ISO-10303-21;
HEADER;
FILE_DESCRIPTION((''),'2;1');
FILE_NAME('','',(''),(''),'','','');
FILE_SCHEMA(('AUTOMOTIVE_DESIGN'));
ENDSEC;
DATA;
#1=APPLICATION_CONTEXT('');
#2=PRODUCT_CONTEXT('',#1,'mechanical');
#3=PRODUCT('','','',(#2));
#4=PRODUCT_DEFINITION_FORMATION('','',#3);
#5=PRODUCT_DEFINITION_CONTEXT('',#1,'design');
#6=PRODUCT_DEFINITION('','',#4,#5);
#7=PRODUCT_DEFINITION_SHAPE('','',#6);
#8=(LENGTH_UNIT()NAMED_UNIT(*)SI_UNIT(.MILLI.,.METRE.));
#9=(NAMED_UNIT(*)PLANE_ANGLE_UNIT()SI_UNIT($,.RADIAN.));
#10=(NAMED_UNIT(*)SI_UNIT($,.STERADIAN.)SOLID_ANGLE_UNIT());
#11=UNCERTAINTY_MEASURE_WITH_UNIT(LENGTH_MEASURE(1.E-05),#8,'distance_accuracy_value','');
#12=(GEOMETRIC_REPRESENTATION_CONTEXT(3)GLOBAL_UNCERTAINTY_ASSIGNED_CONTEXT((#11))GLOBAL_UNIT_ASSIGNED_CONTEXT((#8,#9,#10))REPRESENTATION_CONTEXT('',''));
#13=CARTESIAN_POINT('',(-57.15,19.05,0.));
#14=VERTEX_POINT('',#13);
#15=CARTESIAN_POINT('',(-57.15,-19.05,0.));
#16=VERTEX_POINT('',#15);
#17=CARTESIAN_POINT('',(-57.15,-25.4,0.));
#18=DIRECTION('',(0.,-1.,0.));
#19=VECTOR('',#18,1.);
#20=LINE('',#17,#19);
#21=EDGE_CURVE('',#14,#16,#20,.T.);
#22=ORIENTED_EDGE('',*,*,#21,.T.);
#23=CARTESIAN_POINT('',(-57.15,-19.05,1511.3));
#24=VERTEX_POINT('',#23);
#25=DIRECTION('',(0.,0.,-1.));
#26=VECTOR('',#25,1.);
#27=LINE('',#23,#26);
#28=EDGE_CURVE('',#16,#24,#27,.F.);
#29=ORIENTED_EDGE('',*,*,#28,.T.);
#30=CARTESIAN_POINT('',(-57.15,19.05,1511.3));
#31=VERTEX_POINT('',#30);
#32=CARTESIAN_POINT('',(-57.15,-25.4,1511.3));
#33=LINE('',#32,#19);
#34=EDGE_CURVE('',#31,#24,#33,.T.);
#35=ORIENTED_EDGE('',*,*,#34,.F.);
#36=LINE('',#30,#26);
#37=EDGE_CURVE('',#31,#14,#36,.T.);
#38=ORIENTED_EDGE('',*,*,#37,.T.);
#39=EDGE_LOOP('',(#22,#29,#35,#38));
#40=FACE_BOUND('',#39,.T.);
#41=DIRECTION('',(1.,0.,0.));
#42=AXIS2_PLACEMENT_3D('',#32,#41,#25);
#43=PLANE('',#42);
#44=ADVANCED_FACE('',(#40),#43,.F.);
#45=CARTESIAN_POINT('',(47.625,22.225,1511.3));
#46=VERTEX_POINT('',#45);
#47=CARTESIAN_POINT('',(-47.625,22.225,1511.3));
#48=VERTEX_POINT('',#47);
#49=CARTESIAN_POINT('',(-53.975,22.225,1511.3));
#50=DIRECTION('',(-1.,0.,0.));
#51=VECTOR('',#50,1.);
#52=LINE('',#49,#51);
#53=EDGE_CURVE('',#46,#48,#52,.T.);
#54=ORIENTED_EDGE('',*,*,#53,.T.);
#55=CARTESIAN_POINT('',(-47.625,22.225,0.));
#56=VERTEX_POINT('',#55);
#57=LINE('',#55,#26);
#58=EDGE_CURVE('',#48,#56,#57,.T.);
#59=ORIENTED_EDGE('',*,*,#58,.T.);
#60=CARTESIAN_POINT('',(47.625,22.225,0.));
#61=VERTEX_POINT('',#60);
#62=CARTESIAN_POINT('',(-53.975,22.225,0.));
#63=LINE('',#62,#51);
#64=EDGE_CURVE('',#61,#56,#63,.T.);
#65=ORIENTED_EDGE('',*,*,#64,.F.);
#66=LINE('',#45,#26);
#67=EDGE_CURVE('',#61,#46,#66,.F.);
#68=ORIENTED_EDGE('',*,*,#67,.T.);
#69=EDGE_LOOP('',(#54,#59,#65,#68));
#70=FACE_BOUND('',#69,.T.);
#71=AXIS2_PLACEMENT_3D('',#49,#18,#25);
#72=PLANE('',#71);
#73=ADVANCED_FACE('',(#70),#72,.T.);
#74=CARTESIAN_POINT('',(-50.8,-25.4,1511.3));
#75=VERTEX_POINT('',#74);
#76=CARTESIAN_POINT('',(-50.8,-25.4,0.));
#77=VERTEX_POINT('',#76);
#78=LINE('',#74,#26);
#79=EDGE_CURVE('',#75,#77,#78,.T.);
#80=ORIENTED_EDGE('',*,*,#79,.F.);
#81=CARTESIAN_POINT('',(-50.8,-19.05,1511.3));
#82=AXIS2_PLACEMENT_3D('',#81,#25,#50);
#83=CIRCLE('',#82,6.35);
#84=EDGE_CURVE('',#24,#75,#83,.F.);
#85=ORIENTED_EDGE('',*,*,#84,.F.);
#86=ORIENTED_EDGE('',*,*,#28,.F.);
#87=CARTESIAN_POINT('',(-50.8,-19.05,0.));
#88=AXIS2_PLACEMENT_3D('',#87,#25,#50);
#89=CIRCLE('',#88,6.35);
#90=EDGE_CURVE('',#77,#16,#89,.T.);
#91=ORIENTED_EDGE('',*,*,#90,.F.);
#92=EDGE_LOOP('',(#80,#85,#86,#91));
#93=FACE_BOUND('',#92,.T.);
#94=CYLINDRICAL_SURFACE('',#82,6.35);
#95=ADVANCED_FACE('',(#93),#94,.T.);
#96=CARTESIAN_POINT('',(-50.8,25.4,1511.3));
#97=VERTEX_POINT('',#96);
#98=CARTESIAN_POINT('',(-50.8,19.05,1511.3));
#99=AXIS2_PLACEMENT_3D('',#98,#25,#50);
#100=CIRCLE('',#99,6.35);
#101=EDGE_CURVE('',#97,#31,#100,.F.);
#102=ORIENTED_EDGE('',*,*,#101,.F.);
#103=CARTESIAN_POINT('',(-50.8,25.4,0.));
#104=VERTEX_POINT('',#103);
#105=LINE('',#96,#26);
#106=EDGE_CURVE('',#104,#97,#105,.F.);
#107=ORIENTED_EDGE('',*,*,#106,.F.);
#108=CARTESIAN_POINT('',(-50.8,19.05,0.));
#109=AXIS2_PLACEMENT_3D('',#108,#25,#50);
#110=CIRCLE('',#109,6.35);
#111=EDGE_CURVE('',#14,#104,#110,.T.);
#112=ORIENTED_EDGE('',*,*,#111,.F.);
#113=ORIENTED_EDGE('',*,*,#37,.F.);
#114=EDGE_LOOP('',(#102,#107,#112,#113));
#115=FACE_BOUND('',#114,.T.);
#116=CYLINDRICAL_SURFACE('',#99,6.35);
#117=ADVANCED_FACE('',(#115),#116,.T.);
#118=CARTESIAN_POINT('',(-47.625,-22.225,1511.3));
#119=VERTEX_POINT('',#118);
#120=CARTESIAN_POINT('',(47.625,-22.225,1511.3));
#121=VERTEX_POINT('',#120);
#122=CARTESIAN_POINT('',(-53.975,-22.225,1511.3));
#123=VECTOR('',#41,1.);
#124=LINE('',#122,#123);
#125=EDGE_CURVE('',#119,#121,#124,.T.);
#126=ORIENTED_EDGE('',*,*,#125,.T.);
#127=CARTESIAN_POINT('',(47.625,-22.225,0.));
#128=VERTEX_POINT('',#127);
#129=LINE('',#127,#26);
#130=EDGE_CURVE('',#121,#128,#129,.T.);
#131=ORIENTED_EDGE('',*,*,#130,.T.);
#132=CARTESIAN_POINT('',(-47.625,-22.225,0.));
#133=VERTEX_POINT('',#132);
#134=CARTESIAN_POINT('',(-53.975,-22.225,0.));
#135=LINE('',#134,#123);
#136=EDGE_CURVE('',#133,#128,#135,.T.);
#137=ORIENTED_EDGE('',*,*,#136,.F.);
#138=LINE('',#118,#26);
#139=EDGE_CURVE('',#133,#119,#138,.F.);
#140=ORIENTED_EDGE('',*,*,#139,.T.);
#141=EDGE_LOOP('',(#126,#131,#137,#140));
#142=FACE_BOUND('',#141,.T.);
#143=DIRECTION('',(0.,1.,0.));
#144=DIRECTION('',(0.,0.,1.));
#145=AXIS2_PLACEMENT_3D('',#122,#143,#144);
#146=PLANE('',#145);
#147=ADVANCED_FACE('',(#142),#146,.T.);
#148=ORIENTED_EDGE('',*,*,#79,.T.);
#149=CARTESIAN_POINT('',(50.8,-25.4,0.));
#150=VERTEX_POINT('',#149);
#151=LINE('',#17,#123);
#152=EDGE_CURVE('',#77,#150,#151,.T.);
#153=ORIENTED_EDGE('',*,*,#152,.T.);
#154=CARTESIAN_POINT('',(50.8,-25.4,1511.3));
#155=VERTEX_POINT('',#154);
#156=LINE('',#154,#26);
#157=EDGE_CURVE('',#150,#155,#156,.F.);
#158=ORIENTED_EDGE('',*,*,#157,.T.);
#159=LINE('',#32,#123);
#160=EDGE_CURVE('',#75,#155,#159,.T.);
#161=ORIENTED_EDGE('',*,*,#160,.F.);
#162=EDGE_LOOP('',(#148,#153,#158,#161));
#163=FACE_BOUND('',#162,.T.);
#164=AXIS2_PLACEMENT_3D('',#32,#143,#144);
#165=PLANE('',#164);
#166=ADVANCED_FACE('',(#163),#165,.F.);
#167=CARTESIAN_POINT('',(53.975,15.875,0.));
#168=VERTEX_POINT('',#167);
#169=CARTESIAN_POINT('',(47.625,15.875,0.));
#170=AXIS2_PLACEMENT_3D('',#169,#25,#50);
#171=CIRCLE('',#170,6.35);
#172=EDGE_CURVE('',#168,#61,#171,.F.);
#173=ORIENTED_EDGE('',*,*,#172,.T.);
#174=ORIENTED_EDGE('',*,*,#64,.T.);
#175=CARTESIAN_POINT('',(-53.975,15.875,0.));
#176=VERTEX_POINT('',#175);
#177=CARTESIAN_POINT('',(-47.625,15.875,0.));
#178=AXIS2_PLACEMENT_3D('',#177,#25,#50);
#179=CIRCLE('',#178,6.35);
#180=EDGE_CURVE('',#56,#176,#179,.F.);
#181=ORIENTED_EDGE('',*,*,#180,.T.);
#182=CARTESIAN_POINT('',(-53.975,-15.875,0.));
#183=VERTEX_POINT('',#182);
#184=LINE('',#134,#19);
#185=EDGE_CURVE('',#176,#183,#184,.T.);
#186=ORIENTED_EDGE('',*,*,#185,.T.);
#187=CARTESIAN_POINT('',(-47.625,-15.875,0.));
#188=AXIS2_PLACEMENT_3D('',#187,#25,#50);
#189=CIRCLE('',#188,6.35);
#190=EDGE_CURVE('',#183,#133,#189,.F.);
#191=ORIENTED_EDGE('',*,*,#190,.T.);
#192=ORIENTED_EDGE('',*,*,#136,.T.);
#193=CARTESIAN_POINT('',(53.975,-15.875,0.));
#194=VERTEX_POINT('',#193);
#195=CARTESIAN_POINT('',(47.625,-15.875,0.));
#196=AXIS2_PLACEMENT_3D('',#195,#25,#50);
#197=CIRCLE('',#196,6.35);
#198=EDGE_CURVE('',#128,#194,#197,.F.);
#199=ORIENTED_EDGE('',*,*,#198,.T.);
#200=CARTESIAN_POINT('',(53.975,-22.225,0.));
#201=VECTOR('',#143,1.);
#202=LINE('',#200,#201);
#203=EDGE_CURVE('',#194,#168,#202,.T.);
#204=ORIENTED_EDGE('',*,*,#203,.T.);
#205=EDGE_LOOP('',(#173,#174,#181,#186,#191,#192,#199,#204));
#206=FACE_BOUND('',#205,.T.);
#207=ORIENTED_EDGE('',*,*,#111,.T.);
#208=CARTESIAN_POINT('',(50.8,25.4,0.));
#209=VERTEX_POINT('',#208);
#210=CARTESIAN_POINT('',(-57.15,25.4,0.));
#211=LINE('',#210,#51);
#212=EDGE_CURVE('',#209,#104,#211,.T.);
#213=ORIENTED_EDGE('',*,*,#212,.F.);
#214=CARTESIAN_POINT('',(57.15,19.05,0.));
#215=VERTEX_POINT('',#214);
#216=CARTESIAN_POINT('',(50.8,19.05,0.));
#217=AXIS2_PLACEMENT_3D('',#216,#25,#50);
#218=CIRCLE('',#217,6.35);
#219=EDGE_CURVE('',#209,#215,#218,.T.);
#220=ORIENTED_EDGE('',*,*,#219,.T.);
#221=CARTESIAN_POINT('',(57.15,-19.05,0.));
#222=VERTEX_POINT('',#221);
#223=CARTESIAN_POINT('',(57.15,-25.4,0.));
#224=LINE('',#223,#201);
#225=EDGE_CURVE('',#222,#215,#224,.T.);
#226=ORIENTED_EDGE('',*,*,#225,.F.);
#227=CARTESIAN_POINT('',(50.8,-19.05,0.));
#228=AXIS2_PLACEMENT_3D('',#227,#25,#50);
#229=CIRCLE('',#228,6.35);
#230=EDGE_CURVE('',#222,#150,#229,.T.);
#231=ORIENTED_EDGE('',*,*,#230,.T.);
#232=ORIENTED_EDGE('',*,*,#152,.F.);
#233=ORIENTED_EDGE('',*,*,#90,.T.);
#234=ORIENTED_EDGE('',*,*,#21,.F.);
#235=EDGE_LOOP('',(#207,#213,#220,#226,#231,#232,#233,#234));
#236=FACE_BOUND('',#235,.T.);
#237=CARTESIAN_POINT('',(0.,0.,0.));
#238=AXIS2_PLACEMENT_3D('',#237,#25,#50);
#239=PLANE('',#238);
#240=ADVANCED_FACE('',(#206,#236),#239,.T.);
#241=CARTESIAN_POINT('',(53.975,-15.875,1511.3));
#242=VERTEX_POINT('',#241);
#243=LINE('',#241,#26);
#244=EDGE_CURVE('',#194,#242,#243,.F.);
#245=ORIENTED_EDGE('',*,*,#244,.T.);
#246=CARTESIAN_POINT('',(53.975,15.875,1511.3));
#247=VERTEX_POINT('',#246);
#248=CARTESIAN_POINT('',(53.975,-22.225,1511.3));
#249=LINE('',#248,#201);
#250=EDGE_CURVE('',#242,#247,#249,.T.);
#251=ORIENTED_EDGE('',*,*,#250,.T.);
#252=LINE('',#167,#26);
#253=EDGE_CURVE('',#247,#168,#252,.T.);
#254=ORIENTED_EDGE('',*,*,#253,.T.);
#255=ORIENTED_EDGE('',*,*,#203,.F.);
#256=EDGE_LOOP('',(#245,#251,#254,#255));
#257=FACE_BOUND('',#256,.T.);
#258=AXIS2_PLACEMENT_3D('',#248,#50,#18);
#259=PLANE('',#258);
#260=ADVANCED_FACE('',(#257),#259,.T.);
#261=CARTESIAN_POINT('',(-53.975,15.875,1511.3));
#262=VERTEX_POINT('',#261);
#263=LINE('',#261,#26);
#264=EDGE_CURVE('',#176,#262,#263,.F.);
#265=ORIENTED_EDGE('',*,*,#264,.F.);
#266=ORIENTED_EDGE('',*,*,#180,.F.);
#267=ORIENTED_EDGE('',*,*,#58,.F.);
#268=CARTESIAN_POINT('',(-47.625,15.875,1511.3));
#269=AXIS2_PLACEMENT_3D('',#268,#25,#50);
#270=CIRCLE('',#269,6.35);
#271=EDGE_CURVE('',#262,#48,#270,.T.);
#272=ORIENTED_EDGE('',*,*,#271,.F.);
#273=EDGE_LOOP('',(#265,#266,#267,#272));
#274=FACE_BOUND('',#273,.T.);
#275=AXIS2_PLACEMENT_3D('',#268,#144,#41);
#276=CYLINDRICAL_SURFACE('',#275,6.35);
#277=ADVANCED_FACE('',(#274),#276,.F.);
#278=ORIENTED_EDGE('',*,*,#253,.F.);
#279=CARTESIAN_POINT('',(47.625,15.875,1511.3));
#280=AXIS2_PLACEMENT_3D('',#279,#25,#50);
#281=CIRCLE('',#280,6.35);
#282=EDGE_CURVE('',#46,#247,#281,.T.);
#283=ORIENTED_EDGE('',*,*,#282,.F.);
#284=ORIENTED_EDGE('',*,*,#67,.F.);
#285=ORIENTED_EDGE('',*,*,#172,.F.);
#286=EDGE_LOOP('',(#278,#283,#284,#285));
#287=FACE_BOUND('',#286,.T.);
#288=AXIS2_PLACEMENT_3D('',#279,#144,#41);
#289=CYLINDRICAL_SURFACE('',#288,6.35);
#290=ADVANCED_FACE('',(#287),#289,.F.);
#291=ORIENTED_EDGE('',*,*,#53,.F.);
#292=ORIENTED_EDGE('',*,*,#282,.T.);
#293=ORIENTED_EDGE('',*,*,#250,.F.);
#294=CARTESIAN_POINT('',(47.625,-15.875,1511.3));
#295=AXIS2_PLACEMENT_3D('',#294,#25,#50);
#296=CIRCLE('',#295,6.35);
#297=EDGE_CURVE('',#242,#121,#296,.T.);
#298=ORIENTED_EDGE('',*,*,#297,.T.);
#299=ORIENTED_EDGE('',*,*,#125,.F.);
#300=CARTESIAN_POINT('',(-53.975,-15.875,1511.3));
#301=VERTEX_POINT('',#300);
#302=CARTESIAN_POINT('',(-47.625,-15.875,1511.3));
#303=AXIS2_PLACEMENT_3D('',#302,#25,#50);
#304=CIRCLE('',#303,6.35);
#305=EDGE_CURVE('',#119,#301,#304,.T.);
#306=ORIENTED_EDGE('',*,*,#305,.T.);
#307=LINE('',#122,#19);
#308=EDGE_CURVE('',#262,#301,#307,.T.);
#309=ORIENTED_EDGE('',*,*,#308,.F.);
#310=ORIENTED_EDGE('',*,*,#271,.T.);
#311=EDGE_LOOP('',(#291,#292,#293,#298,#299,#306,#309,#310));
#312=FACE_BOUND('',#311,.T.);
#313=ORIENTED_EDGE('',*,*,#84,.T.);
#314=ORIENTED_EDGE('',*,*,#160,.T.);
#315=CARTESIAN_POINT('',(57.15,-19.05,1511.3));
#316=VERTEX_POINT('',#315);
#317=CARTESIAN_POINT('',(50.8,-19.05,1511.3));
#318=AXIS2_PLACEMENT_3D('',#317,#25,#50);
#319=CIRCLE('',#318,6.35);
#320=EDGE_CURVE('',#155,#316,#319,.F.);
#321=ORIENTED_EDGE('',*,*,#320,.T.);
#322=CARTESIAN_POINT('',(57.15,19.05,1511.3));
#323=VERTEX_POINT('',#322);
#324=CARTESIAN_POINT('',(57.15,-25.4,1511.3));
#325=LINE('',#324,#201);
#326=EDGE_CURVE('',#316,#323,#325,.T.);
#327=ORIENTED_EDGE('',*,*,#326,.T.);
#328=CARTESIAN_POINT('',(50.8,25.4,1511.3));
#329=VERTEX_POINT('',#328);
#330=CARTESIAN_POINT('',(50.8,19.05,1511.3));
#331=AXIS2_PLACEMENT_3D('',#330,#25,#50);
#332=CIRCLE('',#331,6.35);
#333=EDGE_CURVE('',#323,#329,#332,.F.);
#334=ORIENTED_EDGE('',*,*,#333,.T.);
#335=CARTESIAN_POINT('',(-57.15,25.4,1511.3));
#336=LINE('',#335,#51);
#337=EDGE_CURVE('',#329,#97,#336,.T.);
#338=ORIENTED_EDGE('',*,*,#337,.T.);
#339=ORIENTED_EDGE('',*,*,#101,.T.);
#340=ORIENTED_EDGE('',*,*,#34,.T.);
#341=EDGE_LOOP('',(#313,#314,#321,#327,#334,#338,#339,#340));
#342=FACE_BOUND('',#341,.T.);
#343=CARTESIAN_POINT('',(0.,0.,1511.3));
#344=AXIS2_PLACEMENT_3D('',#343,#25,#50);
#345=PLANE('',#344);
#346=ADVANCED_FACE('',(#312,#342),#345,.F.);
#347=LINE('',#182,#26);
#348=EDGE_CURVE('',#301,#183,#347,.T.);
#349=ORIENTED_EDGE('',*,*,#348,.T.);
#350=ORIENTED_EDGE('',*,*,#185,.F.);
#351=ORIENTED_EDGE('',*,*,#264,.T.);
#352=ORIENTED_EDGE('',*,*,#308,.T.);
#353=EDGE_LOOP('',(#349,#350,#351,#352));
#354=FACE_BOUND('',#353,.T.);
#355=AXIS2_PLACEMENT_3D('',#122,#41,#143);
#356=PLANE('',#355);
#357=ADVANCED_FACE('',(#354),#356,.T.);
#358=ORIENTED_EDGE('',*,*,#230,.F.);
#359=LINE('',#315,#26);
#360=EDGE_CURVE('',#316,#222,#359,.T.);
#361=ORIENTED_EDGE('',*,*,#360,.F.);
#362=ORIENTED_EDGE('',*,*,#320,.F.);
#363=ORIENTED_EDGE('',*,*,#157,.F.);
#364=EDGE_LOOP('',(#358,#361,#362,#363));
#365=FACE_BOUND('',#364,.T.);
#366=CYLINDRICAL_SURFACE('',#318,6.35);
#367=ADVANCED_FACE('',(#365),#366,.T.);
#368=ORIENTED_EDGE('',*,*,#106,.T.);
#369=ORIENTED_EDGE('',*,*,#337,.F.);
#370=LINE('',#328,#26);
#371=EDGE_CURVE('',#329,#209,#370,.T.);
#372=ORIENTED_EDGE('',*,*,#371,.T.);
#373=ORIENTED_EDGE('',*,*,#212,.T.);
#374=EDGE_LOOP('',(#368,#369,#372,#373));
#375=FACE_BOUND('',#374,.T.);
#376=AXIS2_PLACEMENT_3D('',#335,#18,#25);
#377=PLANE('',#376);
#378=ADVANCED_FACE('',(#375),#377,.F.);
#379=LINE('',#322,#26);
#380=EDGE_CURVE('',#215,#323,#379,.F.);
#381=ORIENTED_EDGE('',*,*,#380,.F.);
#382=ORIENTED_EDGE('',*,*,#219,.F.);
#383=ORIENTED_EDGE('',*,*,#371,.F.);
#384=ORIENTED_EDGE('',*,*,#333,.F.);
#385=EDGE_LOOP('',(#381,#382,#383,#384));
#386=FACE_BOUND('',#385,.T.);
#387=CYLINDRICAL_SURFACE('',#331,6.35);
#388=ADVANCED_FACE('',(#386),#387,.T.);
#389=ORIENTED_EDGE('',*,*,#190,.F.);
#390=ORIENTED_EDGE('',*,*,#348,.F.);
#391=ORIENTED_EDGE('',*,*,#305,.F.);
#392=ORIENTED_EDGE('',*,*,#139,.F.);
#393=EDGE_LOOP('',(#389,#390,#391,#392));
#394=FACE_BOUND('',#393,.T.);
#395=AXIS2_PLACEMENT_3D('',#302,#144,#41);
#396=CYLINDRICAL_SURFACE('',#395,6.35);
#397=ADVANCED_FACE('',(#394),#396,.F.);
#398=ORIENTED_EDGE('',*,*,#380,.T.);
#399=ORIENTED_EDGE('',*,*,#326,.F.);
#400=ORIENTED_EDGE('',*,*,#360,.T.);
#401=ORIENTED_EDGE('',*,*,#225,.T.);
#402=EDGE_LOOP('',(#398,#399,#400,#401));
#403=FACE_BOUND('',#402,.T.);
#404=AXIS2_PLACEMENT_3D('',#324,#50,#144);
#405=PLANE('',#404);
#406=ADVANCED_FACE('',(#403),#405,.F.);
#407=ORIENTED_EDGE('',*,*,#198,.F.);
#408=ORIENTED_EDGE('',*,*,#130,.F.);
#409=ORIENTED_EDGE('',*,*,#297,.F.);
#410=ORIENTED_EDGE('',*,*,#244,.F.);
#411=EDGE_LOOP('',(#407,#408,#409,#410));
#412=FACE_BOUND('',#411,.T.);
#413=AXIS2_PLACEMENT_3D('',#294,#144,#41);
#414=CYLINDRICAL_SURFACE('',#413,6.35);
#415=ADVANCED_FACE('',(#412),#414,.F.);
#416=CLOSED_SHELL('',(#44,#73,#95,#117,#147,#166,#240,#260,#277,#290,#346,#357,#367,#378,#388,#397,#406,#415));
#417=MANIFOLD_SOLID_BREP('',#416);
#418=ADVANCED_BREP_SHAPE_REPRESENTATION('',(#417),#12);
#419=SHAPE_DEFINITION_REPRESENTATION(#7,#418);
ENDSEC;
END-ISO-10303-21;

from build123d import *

# Parameters (mm, degrees)
SKETCH1_W           = 114.3
SKETCH1_H           = 50.8
SKETCH1_W_2         = 107.95
SKETCH1_H_2         = 44.45
BOSS_EXTRUDE1_DEPTH = 1511.3
FILLET1_R           = 6.35


with BuildPart() as part:
    # Sketch1 → Boss-Extrude1 (new body)
    with BuildSketch(Plane.XY):
        Rectangle(SKETCH1_W, SKETCH1_H)
        Rectangle(SKETCH1_W_2, SKETCH1_H_2, mode=Mode.SUBTRACT)
    extrude(amount=BOSS_EXTRUDE1_DEPTH)

    # Fillet1
    fillet1_edges = [part.edges().sort_by_distance(p)[0] for p in [
        (53.975, -22.225, 755.65),
        (53.975, 22.225, 755.65),
        (-53.975, 22.225, 755.65),
        (-53.975, -22.225, 755.65),
        (57.15, -25.4, 755.65),
        (-57.15, -25.4, 755.65),
        (-57.15, 25.4, 755.65),
        (57.15, 25.4, 755.65),
    ]]
    fillet(fillet1_edges, radius=FILLET1_R)


solid = part.part
